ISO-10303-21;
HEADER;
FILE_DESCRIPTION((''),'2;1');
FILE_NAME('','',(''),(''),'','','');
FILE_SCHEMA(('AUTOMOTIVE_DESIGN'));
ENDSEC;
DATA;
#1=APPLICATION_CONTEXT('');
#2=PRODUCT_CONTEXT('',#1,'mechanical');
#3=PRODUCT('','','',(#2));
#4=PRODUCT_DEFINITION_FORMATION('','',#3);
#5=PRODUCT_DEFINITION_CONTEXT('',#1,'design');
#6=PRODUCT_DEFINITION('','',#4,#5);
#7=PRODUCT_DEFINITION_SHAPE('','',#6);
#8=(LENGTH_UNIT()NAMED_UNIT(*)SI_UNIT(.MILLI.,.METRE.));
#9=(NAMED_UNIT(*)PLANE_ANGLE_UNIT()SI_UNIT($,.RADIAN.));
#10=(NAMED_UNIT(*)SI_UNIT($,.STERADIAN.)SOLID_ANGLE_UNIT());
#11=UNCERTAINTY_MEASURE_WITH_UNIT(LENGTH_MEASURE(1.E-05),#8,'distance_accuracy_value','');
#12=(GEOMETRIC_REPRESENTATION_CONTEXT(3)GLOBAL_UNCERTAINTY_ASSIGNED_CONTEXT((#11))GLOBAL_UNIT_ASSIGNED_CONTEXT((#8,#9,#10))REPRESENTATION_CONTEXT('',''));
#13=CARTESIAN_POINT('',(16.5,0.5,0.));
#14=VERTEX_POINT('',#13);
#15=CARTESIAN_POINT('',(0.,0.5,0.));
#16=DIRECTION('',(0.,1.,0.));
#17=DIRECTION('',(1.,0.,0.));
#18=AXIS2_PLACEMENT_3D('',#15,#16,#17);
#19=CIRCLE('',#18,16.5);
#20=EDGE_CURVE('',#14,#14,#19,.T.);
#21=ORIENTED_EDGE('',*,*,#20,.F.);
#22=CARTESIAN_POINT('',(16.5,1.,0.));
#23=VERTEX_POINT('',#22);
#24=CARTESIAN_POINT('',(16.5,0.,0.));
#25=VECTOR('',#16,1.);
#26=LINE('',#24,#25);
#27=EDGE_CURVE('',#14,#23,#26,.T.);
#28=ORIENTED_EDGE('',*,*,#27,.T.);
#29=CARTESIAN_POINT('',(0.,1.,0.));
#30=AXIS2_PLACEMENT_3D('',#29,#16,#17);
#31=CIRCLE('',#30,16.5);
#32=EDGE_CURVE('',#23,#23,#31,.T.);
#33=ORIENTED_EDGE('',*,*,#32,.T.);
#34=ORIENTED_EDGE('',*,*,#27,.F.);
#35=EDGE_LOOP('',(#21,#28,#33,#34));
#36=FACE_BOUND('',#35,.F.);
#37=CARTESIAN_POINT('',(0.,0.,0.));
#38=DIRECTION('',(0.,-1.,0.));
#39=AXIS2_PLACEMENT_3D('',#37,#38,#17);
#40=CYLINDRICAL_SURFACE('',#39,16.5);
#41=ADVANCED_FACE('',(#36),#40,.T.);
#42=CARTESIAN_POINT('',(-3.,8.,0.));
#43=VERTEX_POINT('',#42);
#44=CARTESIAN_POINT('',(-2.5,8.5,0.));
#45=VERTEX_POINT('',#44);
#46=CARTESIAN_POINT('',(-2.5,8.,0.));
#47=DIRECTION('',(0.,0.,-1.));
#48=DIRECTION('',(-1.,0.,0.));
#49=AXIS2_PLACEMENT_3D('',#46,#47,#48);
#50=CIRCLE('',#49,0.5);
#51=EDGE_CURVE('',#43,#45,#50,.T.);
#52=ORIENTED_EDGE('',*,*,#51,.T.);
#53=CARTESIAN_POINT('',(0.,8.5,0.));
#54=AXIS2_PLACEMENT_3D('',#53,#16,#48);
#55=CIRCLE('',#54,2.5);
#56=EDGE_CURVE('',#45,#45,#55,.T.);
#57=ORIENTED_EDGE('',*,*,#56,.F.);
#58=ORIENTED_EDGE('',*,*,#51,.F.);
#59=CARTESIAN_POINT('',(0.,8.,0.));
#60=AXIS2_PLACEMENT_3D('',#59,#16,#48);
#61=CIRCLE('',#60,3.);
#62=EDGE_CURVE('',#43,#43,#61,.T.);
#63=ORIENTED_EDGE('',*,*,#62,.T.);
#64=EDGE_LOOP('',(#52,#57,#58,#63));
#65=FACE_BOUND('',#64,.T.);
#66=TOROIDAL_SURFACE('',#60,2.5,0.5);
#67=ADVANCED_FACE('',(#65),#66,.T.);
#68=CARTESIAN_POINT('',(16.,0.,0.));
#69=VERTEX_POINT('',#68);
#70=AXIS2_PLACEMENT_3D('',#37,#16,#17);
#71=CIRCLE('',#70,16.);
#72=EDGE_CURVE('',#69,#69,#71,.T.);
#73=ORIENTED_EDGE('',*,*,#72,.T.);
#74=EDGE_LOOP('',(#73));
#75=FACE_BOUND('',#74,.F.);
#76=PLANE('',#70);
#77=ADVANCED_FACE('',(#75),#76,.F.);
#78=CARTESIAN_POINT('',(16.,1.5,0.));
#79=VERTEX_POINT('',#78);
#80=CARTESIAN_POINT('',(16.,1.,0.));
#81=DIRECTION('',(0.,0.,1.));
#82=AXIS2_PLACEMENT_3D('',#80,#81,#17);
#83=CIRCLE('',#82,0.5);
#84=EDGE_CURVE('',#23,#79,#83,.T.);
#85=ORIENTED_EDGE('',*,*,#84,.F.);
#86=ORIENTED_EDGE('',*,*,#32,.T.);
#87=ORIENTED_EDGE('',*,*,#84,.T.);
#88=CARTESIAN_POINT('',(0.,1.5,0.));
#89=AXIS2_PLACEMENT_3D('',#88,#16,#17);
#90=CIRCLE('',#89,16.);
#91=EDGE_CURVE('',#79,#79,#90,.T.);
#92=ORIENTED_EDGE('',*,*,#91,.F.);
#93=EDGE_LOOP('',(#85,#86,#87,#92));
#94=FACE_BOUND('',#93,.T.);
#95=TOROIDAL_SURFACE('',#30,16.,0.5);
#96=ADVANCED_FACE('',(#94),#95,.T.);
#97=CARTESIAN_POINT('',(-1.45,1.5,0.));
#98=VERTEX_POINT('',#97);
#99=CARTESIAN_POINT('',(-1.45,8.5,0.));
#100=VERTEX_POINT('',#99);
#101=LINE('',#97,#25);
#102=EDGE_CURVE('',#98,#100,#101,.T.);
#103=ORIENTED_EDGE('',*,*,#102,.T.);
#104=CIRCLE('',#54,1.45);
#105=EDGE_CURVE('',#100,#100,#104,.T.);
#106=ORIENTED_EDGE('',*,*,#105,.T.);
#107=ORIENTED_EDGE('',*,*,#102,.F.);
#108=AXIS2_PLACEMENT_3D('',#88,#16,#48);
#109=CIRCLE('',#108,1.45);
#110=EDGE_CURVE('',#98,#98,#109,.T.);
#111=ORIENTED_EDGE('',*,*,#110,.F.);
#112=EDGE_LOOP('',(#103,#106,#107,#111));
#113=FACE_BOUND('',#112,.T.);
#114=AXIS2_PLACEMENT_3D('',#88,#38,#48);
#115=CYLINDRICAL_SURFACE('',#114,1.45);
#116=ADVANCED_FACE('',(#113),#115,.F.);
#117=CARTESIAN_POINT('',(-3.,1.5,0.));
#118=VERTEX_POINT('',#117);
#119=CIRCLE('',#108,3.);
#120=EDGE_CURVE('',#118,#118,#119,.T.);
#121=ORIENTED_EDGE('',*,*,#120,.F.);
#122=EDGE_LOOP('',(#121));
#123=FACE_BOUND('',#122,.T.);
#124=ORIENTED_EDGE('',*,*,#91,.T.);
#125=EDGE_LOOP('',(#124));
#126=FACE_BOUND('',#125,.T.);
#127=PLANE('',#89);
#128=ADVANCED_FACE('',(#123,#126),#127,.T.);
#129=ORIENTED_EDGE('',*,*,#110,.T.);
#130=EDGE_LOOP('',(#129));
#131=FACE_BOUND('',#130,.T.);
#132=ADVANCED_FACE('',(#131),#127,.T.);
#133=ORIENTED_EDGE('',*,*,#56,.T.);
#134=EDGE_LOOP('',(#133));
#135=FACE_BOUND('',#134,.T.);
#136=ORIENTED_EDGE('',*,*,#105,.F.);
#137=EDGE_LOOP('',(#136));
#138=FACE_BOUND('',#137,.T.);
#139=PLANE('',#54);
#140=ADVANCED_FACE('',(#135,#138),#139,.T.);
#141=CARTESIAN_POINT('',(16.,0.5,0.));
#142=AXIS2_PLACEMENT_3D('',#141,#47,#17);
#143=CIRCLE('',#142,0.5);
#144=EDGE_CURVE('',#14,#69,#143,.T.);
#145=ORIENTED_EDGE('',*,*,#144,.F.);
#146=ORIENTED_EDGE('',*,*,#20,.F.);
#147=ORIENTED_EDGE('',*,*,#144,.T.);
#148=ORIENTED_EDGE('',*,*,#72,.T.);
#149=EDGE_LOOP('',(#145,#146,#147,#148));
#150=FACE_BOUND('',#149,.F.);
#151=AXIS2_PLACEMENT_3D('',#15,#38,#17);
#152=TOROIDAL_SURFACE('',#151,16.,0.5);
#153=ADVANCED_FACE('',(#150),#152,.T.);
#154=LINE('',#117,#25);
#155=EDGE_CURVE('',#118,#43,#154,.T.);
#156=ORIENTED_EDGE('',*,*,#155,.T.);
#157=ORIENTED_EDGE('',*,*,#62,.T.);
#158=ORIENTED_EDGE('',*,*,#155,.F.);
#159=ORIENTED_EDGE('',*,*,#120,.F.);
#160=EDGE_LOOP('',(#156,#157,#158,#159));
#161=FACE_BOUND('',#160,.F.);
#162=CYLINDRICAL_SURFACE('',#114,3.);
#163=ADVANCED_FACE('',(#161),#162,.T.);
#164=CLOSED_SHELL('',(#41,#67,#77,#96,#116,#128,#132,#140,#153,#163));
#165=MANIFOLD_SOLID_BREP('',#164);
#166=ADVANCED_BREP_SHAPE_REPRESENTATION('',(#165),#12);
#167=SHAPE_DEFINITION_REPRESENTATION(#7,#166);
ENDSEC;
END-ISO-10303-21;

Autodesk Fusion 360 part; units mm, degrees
sketch "Sketch1" plane through (0, 0, 0) normal (0, 1, 0) x (1, 0, 0)
  circle A0 centre (0, 0) radius 16.5
  dimension "d1" = 33
extrude "Extrude1" add sketch "Sketch1" along normal blind 1.5
sketch "Sketch2" plane through (0, 1.5, 0) normal (0, 1, 0) x (-1, 0, 0)
  circle A0 centre (0, 0) radius 16.5
  circle A1 centre (0, 0) radius 3
  circle A2 centre (0, 0) radius 1.45
  dimension "d4" = 6
  dimension "d5" = 2.9
extrude "Extrude2" add sketch "Sketch2" along normal blind 7 contours A1
fillet "Fillet1" radius 0.5 3 edges at (-15.3834, 0, 5.9667) (-15.3834, 1.5, 5.9667) (2.797, 8.5, -1.0848)
